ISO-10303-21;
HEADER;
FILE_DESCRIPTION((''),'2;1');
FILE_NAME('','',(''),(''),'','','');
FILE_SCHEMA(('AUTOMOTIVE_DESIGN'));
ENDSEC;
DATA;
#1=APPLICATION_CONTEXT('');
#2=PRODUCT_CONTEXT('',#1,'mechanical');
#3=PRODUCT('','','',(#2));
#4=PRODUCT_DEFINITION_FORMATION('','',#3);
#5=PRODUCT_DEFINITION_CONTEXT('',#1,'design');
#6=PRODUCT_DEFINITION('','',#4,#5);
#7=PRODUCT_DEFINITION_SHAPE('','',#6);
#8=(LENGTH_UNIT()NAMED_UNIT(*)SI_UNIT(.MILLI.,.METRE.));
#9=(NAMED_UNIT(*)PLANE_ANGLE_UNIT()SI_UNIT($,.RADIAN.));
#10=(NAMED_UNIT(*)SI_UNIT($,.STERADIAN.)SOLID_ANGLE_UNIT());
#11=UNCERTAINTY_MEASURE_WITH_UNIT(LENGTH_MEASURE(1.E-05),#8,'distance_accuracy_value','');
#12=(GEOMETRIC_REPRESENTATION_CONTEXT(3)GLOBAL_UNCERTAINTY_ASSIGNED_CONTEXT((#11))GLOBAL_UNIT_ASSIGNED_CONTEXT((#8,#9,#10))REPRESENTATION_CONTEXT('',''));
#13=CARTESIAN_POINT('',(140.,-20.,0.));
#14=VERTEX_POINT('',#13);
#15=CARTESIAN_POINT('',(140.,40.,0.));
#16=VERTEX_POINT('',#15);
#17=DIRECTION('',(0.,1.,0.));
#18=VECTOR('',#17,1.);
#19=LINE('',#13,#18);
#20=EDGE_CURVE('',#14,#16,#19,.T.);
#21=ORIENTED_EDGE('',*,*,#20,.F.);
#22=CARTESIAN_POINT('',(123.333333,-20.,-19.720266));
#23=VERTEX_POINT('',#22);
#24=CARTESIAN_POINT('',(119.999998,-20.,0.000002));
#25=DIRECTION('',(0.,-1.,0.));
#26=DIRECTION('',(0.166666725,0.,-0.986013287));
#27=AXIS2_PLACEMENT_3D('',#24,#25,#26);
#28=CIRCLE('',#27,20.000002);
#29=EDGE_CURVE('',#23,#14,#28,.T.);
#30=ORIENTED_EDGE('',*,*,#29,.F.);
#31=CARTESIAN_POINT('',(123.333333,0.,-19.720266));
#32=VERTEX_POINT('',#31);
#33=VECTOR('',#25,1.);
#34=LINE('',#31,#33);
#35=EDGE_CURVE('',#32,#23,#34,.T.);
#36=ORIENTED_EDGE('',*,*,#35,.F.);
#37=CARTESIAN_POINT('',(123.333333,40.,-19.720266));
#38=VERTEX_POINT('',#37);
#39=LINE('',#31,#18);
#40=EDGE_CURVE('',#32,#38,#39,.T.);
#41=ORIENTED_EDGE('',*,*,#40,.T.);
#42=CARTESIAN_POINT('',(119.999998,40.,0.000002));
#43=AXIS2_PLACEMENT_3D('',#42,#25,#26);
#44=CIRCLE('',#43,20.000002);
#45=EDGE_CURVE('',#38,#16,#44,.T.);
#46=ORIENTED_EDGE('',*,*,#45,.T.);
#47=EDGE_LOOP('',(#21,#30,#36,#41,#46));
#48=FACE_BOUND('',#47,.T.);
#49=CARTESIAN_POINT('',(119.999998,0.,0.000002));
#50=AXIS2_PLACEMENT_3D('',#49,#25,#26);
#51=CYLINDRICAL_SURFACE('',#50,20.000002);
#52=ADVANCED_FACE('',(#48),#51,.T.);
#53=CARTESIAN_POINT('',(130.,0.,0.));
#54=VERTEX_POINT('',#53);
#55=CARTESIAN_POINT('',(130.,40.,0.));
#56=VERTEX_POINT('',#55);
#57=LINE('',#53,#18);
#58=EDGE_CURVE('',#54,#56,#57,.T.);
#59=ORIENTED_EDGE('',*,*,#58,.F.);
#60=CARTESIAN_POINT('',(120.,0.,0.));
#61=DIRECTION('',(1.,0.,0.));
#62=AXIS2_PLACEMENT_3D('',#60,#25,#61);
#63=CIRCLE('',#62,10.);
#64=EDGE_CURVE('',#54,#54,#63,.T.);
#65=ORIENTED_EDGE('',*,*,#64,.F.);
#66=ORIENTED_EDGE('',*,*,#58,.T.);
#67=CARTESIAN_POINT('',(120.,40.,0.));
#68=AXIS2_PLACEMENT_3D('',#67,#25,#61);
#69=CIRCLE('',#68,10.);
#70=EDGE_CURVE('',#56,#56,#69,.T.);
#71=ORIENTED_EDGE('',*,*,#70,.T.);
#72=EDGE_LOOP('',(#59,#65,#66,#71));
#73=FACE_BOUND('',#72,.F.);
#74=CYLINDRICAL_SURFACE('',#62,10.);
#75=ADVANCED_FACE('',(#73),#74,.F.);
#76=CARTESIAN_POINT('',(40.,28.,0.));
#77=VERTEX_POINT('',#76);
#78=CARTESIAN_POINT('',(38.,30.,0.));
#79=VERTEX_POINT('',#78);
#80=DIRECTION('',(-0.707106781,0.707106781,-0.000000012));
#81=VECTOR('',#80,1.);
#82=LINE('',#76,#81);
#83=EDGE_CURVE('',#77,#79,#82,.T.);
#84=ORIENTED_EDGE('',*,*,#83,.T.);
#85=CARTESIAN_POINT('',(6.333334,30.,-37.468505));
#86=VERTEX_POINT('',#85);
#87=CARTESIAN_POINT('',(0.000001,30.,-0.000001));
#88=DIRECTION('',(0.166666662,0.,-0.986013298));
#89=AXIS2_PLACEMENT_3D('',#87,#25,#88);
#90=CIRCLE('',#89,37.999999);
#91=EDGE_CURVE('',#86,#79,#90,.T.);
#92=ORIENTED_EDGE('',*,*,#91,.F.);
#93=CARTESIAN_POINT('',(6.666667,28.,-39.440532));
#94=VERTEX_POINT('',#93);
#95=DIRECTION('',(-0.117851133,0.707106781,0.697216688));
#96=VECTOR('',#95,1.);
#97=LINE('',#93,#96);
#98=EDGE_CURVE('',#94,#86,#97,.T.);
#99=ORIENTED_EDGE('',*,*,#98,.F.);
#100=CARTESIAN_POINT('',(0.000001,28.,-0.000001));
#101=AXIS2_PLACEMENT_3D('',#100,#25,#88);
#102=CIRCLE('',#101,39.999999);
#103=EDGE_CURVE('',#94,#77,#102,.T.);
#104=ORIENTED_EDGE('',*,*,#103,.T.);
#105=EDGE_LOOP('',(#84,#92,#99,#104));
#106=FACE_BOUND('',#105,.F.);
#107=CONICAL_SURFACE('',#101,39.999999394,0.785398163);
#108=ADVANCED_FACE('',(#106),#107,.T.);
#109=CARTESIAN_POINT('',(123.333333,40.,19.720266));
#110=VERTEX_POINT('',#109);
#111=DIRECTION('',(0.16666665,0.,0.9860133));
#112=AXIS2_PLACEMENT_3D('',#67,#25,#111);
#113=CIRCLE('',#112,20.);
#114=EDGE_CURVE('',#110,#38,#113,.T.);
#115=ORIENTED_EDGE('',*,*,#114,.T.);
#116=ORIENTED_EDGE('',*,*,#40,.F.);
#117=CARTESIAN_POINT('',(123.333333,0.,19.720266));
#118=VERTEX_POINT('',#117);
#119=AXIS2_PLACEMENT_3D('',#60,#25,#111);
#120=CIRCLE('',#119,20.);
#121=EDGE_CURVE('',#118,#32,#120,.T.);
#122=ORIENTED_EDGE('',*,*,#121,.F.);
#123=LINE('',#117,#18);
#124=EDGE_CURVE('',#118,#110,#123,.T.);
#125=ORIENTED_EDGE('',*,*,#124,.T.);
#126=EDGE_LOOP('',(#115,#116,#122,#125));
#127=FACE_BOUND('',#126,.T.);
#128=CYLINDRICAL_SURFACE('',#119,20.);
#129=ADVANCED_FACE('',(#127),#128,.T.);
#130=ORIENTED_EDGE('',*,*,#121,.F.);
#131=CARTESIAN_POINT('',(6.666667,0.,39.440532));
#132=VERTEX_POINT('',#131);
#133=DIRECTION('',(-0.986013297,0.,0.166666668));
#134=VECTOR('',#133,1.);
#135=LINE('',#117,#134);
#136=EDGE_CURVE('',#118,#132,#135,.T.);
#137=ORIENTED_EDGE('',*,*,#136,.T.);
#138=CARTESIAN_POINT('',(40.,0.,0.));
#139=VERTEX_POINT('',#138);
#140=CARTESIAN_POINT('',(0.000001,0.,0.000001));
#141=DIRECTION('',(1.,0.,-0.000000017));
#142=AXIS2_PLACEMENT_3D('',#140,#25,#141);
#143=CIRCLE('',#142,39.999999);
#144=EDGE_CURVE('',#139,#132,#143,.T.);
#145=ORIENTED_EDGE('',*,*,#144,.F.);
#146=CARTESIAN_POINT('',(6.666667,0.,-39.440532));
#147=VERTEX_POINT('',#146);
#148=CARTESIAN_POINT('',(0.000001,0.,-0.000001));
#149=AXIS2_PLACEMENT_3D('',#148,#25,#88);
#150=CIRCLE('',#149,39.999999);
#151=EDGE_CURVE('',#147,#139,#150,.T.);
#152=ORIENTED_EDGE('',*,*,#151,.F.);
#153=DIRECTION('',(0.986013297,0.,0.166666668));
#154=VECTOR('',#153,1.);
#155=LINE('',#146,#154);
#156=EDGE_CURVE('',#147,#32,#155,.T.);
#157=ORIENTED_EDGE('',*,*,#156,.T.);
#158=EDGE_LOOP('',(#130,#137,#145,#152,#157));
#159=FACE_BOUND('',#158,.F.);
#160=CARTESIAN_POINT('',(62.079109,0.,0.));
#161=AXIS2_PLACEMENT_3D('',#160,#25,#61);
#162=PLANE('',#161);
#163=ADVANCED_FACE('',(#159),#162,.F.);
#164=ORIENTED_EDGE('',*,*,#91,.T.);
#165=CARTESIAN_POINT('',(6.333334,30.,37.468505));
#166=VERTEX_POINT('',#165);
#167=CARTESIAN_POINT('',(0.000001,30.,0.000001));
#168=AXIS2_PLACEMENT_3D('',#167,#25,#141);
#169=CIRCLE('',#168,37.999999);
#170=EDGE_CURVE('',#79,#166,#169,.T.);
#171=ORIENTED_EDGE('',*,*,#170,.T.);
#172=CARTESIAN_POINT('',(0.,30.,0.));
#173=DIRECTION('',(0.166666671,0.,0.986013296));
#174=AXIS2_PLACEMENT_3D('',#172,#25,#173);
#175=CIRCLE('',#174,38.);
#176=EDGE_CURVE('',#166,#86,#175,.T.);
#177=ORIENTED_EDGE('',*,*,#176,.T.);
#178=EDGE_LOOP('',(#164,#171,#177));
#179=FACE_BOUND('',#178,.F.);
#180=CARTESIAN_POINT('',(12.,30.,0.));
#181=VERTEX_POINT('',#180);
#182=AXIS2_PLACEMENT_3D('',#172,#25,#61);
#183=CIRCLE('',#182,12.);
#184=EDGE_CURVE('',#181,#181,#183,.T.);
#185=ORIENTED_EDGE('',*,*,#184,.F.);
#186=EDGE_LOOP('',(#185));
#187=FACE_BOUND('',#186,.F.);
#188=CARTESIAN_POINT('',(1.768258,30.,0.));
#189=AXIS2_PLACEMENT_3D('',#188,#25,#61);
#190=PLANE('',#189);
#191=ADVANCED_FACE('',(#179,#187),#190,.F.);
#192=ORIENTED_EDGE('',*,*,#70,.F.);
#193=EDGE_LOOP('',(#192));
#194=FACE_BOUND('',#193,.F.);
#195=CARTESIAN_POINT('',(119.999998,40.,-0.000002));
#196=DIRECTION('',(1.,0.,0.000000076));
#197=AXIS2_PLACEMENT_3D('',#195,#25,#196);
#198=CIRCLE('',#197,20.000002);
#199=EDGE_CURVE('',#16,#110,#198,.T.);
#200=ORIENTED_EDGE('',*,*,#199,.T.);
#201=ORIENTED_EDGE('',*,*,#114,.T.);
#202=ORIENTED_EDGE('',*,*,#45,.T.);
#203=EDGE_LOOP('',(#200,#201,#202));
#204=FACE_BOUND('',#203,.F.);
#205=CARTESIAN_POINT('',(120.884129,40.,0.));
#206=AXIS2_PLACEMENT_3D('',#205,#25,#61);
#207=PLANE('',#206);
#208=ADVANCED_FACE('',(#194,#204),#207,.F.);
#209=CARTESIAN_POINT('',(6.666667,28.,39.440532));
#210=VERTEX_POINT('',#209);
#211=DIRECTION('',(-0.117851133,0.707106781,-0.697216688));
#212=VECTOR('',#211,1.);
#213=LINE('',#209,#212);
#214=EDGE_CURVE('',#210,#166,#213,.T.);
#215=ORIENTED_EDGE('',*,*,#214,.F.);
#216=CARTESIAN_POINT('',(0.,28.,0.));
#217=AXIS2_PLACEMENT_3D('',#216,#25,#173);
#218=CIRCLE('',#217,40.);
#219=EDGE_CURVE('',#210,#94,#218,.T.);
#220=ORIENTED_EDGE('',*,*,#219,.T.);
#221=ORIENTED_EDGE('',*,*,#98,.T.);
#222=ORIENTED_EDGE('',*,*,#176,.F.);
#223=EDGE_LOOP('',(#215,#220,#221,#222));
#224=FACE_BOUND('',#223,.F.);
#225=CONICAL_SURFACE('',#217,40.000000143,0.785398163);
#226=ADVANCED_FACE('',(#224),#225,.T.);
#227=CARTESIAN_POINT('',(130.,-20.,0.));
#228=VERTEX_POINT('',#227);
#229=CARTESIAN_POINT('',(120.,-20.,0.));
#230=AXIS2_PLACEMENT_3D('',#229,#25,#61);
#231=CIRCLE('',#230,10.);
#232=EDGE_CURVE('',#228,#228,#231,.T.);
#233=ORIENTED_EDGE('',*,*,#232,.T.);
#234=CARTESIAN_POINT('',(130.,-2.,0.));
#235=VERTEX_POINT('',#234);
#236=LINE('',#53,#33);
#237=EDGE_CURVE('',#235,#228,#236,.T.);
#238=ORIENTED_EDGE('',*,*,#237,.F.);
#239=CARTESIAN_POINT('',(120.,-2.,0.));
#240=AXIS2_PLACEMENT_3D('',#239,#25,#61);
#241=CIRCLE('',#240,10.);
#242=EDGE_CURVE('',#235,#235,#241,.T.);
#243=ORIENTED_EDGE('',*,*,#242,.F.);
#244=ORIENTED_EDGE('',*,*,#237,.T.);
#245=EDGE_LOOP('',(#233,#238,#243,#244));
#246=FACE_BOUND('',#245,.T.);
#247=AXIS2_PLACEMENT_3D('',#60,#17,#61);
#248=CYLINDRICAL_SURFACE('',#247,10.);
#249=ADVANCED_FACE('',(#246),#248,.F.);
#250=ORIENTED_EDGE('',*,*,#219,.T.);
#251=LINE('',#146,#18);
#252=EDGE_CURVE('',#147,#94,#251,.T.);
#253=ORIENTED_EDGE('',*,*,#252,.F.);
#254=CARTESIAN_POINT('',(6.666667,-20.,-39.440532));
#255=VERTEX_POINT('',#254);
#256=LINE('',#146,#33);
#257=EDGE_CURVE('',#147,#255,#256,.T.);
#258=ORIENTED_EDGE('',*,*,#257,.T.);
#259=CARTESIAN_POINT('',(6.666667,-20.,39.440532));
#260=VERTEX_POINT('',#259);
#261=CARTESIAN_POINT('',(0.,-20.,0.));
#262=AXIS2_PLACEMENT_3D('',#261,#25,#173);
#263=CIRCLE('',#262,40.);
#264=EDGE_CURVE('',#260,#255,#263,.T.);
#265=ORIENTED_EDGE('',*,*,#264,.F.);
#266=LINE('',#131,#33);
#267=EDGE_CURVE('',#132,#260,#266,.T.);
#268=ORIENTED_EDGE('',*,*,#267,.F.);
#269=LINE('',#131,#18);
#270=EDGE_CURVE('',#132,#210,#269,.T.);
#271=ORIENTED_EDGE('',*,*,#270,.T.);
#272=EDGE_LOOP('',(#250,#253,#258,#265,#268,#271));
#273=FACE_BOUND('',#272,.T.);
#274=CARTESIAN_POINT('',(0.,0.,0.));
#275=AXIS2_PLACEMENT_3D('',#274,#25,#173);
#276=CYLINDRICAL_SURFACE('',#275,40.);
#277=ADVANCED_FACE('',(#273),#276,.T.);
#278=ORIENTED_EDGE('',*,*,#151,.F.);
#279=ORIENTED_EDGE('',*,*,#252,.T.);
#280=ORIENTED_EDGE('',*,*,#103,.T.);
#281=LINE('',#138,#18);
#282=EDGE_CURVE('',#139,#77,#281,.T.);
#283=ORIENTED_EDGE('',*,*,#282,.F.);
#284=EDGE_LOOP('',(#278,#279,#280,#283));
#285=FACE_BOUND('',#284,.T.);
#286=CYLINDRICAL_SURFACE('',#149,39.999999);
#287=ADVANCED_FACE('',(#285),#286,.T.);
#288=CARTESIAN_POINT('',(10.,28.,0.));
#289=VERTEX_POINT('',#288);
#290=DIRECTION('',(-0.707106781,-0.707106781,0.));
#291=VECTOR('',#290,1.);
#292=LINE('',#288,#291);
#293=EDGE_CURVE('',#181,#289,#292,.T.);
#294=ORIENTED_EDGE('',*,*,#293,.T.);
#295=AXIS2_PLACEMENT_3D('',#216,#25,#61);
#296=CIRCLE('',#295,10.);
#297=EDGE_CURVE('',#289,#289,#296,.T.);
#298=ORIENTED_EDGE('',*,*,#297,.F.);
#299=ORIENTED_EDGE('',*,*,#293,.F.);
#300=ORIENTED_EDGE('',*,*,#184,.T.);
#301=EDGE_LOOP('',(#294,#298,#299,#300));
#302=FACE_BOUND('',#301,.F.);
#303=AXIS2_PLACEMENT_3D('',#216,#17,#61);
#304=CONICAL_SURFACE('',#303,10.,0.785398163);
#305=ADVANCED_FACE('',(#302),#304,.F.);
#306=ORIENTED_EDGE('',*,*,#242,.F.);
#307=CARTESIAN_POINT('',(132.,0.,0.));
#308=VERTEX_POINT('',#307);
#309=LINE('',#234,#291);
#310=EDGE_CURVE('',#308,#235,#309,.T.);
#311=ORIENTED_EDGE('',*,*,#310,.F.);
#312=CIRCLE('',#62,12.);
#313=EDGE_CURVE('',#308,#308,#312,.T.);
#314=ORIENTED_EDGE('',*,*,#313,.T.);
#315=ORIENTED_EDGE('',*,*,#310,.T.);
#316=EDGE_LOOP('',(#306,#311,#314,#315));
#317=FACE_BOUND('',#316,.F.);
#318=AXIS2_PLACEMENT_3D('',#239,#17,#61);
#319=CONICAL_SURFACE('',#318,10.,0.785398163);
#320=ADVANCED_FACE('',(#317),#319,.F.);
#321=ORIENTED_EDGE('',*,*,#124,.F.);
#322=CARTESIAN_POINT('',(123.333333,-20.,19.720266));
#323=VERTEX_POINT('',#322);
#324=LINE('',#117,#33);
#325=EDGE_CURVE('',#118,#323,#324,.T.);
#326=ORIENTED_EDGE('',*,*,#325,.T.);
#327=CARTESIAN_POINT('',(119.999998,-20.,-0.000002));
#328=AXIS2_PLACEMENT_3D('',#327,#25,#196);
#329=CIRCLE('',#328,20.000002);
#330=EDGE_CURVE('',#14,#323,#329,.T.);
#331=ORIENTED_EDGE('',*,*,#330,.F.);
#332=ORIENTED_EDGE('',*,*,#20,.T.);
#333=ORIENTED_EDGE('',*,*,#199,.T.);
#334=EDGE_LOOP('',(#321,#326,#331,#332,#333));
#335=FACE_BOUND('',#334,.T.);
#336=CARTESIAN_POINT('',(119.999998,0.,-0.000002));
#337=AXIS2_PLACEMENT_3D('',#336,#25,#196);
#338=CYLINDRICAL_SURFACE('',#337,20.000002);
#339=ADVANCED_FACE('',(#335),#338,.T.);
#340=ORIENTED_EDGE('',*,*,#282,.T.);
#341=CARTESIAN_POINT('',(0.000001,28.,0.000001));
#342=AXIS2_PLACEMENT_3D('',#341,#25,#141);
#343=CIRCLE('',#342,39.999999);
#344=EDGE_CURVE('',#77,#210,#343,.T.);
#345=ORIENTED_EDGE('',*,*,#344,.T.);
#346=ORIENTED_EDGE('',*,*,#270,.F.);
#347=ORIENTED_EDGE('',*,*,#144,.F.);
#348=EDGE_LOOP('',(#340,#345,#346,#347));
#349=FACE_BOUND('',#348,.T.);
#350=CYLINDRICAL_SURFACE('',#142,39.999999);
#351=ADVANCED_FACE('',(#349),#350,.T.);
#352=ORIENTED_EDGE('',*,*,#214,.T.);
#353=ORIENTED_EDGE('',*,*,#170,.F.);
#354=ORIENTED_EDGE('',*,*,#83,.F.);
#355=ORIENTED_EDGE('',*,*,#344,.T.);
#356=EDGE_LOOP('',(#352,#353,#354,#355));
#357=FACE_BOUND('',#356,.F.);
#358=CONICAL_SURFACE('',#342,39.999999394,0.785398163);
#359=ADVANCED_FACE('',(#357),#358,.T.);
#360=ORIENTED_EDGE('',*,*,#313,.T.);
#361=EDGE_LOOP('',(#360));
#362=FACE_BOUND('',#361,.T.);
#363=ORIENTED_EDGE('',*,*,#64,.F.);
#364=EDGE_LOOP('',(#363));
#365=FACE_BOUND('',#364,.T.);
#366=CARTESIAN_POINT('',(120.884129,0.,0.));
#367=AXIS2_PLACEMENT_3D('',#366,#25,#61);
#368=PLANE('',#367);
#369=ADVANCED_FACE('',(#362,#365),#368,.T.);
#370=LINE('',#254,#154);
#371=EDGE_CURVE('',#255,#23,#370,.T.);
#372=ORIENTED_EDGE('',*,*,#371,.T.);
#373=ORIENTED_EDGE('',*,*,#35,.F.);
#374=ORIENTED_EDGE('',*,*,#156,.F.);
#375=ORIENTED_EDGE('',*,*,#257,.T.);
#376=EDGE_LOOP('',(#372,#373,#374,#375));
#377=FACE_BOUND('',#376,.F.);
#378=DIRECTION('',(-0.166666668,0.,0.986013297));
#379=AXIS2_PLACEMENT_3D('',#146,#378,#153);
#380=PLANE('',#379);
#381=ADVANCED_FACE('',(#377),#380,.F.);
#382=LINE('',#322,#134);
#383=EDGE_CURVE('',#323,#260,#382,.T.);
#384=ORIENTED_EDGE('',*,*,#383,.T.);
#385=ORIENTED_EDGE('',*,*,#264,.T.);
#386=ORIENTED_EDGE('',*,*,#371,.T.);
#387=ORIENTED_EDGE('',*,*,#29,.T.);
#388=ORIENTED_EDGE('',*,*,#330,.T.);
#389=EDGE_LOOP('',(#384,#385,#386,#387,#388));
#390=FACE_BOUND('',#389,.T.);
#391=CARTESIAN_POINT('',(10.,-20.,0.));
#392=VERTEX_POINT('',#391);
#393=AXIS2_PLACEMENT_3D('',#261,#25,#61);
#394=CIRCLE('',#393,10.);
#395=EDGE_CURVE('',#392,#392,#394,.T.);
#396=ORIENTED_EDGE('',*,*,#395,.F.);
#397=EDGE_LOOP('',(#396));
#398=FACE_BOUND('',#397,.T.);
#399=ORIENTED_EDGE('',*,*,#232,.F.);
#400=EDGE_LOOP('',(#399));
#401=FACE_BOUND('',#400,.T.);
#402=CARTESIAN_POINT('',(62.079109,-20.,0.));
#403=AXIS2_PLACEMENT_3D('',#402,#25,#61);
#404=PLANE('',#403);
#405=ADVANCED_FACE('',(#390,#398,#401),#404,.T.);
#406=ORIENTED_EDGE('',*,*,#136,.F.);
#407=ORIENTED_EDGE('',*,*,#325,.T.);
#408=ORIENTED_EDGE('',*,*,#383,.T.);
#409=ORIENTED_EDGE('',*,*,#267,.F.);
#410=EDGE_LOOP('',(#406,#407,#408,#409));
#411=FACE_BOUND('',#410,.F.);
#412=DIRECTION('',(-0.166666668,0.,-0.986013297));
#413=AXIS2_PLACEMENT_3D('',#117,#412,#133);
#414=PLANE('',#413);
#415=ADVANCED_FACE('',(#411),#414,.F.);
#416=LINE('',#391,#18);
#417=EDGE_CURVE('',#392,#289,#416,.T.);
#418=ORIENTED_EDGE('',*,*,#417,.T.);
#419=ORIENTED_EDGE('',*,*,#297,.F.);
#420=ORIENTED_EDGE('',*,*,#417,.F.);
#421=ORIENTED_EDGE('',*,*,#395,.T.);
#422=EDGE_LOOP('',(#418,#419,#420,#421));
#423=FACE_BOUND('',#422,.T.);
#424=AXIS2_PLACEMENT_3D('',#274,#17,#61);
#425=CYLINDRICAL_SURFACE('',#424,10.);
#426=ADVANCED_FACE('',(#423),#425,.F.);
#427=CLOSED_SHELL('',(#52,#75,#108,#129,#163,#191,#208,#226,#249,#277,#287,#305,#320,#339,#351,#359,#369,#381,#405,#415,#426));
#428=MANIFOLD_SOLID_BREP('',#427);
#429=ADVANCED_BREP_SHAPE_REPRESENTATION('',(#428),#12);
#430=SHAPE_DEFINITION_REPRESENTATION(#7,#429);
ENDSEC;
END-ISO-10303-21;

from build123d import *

# Parameters (mm, degrees)
F0_R     = 10
F1_DEPTH = 20
F2_DEPTH = 30
F3_SIZE  = 2
F4_DEPTH = 40


with BuildPart() as f1:
    # F0 (on Front) → F1 (new body)
    with BuildSketch(Plane.XZ):
        with BuildLine():
            ThreePointArc((6.666667, 39.440532), (30.550505, 25.819889), (40, 0))
            ThreePointArc((40, 0), (30.550505, -25.819889), (6.666667, -39.440532))
            Line((6.666667, -39.440532), (123.333333, -19.720266))
            ThreePointArc((123.333333, -19.720266), (100, 0), (123.333333, 19.720266))
            Line((123.333333, 19.720266), (6.666667, 39.440532))
        make_face()
        with BuildLine():
            ThreePointArc((140, 0), (135.275252, 12.909944), (123.333333, 19.720266))
            ThreePointArc((123.333333, 19.720266), (100, 0), (123.333333, -19.720266))
            ThreePointArc((123.333333, -19.720266), (135.275252, -12.909944), (140, 0))
        make_face()
        with Locations((120, 0)):
            Circle(F0_R, mode=Mode.SUBTRACT)
        with BuildLine():
            ThreePointArc((6.666667, -39.440532), (30.550505, -25.819889), (40, 0))
            ThreePointArc((40, 0), (30.550505, 25.819889), (6.666667, 39.440532))
            ThreePointArc((6.666667, 39.440532), (-40, 0), (6.666667, -39.440532))
        make_face()
        Circle(F0_R, mode=Mode.SUBTRACT)
    extrude(amount=F1_DEPTH)

    # F0 (on Front) → F2 (join)
    with BuildSketch(Plane.XZ):
        with BuildLine():
            ThreePointArc((6.666667, -39.440532), (30.550505, -25.819889), (40, 0))
            ThreePointArc((40, 0), (30.550505, 25.819889), (6.666667, 39.440532))
            ThreePointArc((6.666667, 39.440532), (-40, 0), (6.666667, -39.440532))
        make_face()
        Circle(F0_R, mode=Mode.SUBTRACT)
    extrude(amount=-F2_DEPTH)

    # F3
    f3_edges = [f1.edges().sort_by_distance(p)[0] for p in [
        (-10, 30, 0),
        (-6.666667, 30, 39.440532),
        (110, 0, 0),
    ]]
    chamfer(f3_edges, length=F3_SIZE)

    # F0 (on Front) → F4 (join)
    with BuildSketch(Plane.XZ):
        with BuildLine():
            ThreePointArc((140, 0), (135.275252, 12.909944), (123.333333, 19.720266))
            ThreePointArc((123.333333, 19.720266), (100, 0), (123.333333, -19.720266))
            ThreePointArc((123.333333, -19.720266), (135.275252, -12.909944), (140, 0))
        make_face()
        with Locations((120, 0)):
            Circle(F0_R, mode=Mode.SUBTRACT)
    extrude(amount=-F4_DEPTH)


solid = f1.part
